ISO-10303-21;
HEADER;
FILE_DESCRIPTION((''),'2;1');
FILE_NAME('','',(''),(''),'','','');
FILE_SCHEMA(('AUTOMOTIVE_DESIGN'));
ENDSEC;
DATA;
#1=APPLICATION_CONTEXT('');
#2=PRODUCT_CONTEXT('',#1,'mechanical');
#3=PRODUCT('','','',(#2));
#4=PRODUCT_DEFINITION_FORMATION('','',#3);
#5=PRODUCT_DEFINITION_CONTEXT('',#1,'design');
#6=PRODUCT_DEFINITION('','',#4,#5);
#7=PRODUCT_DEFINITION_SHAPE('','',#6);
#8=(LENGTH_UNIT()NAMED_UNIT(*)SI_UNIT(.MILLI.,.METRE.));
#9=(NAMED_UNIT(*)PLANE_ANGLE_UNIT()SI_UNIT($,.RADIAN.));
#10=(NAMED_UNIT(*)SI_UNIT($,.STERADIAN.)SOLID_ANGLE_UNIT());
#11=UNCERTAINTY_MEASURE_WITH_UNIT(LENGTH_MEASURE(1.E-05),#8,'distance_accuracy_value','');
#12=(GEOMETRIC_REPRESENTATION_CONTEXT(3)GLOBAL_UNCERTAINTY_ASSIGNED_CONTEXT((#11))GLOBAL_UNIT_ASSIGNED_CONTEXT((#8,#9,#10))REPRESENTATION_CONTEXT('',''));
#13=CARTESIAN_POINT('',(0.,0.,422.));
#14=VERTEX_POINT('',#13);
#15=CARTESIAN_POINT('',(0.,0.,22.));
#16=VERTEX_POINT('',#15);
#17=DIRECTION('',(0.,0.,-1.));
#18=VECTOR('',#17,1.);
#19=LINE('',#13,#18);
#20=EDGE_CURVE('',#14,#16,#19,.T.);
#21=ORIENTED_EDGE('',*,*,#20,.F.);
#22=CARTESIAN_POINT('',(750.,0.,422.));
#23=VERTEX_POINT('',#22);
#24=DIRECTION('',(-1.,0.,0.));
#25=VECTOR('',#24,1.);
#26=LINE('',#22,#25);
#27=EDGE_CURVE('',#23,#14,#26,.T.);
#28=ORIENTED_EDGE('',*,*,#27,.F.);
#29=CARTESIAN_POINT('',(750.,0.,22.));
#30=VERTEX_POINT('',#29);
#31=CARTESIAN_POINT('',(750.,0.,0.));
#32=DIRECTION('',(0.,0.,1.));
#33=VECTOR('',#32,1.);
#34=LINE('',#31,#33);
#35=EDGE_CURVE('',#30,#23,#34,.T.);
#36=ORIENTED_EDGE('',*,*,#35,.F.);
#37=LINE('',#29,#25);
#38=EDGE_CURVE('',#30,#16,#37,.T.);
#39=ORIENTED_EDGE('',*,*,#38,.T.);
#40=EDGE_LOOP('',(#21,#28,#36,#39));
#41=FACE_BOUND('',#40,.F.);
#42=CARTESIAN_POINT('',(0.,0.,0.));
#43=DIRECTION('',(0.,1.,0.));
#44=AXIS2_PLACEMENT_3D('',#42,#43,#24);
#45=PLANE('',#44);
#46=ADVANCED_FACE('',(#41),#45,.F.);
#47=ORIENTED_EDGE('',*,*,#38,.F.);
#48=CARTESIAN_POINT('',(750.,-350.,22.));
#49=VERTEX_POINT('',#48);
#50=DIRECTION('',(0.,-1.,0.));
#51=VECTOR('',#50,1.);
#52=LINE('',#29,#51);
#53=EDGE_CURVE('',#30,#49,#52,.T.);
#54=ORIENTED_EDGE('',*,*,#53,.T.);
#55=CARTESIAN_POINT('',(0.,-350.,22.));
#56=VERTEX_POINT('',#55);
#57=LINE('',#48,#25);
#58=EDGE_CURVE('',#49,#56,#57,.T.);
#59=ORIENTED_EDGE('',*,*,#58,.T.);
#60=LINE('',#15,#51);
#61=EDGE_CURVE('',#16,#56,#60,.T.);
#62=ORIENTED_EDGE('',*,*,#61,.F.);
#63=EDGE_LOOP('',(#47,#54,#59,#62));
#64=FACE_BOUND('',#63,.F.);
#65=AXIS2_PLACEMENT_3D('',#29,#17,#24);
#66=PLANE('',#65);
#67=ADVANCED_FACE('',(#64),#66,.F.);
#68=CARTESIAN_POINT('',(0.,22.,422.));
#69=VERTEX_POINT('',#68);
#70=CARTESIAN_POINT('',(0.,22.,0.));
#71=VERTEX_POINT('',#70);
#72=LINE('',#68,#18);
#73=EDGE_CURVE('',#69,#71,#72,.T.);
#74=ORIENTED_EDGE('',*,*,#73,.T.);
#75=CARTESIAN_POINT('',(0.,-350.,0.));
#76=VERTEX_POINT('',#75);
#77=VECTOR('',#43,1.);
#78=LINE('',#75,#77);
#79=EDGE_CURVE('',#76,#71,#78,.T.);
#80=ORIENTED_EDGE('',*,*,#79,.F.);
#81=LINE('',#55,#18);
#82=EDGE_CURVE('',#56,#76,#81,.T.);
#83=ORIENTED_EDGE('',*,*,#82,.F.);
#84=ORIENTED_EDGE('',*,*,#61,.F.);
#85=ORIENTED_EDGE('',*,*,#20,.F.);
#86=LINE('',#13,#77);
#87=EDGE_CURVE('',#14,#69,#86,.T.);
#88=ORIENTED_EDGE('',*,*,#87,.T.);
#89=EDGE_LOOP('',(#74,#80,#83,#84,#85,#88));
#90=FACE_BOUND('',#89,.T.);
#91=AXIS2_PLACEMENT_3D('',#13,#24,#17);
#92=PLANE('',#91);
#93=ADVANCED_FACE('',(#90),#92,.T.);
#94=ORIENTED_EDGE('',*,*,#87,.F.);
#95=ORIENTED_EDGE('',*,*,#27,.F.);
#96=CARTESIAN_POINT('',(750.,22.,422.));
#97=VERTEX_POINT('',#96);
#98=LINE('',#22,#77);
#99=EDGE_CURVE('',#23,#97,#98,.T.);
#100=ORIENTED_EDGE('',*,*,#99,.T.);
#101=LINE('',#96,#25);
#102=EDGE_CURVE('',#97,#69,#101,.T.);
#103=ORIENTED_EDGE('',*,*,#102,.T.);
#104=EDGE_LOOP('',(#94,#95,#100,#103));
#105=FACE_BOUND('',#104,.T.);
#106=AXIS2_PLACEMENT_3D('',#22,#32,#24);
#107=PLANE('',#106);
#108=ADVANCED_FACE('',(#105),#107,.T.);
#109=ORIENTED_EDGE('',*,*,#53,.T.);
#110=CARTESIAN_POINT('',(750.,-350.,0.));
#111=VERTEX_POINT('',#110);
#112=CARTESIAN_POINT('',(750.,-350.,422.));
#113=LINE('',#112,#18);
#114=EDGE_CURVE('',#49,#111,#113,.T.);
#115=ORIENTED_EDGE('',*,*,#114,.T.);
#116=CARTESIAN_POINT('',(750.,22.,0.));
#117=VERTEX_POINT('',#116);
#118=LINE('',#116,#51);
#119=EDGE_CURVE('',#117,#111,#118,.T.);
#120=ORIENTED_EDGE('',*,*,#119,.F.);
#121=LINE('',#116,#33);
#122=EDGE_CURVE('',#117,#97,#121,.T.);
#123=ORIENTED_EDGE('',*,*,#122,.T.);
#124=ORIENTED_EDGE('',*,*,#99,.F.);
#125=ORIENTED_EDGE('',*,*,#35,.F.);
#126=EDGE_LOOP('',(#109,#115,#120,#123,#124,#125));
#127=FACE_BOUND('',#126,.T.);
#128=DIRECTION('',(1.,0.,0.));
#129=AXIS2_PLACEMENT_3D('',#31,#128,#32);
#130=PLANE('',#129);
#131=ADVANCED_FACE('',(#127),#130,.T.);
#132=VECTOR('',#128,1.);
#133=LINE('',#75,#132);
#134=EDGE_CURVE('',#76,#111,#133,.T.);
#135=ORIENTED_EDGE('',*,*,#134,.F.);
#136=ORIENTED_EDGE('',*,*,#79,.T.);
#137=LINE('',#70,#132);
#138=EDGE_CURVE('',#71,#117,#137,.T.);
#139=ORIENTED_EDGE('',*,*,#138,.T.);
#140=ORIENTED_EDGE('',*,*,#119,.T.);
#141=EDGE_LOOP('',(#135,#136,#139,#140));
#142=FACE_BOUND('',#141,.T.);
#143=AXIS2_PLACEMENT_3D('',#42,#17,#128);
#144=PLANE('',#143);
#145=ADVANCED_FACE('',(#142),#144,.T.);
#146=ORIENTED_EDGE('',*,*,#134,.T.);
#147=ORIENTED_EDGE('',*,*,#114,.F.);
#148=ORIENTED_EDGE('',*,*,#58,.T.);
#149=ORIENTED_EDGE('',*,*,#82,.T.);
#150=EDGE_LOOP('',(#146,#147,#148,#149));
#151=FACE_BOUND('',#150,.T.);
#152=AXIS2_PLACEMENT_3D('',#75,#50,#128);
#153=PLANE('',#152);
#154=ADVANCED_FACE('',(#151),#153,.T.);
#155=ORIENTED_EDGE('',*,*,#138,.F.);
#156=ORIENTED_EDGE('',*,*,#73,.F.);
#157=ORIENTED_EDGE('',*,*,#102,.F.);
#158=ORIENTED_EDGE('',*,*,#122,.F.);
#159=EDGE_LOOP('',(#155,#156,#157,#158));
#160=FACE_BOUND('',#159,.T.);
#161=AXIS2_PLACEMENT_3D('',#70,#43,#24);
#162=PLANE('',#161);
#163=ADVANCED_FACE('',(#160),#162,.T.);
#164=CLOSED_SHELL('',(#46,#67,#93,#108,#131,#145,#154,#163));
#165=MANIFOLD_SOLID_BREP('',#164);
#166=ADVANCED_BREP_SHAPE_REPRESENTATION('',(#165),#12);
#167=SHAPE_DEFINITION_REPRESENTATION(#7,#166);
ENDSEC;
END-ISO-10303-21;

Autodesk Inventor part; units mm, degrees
ref_plane "YZ Plane" through (0, 0, 0) normal (1, 0, 0) x (0, 1, 0)
ref_plane "XZ Plane" through (0, 0, 0) normal (0, 1, 0) x (-1, 0, 0)
sketch "Skizze1" plane through (0, 0, 0) normal (0, 1, 0) x (-1, 0, 0)
  line L0 (0, 0) -> (-750, 0)
  line L1 (-750, 0) -> (-750, 422)
  line L2 (-750, 422) -> (0, 422)
  line L3 (0, 422) -> (0, 0)
  dimension "d0" = 750
  dimension "d1" = 422
extrude "Back_Back" add sketch "Skizze1" along normal blind 22
sketch "Skizze2" plane through (0, 0, 0) normal (0, -1, 0) x (1, 0, 0)
  line L0 (750, 422) -> (750, 0) projected
  line L1 (0, 0) -> (750, 0)
  line L2 (750, 0) -> (750, 22)
  line L3 (750, 22) -> (0, 22)
  line L4 (0, 22) -> (0, 0)
  dimension "d4" = 22
extrude "Back_Down" add sketch "Skizze2" along normal blind 350
sketch "Sketch_Footprint_Magnet&Robot" plane through (0, 0, 22) normal (0, 0, 1) x (1, 0, 0)
  line L0 (0, -350) -> (0, 22) construction
  line L1 (750, -350) -> (0, -350) construction
  line L2 (0, -200) -> (750, -200) construction
  line L3 (12, -45) -> (315, -45)
  line L4 (315, -45) -> (315, -355)
  line L5 (315, -355) -> (12, -355)
  line L6 (12, -355) -> (12, -45)
  line L7 (12, -45) -> (315, -355) construction
  line L8 (315, -45) -> (12, -355) construction
  line L9 (0, -100) -> (12, -100)
  line L10 (12, -100) -> (12, -300)
  line L11 (12, -300) -> (0, -300)
  line L12 (0, -300) -> (0, -100)
  line L13 (315, -100) -> (327, -100)
  line L14 (327, -100) -> (327, -300)
  line L15 (327, -300) -> (315, -300)
  line L16 (315, -300) -> (315, -100)
  line L17 (545, -265) -> (675, -265)
  line L18 (675, -265) -> (675, -135)
  line L19 (675, -135) -> (545, -135)
  line L20 (545, -135) -> (545, -265)
  line L21 (545, -265) -> (675, -135) construction
  line L22 (675, -265) -> (545, -135) construction
  line L23 (750, 0) -> (750, -350) projected
  line L24 (0, 0) -> (750, 0) projected
  point P0 (163.5, -200)
  point P1 (327, -200)
  point P2 (610, -200)
  dimension "d15" = 150
  dimension "d16" = 303
  dimension "d17" = 310
  dimension "d18" = 12
  dimension "d19" = 200
  dimension "d20" = 130
  dimension "d21" = 140
  dimension "d56" = 200
sketch "Sketch_ReferenceBoard" plane through (0, 0, 0) normal (0, -1, 0) x (1, 0, 0)
  line L0 (750, 422) -> (330, 422)
  line L1 (330, 422) -> (330, 125)
  line L2 (330, 125) -> (750, 125)
  line L3 (750, 125) -> (750, 422)
  line L4 (330, 446) -> (330, 125)
  line L5 (345, 330) -> (345, 130) construction
  line L6 (345, 130) -> (645, 130) construction
  line L7 (345, 208) -> (345, 130)
  line L8 (610, 22) -> (610, 130) construction
  line L9 (675, 22) -> (675, 130) construction
  line L10 (750, 422) -> (750, 22) construction
  line L11 (330, 360) -> (750, 360) construction
  line L12 (685, 422) -> (685, 125) construction
  line L13 (345, 400) -> (425, 400)
  line L14 (425, 400) -> (425, 320)
  line L15 (425, 320) -> (345, 320)
  line L16 (345, 320) -> (345, 400)
  line L17 (345, 400) -> (425, 320) construction
  line L18 (425, 400) -> (345, 320) construction
  line L19 (545, 400) -> (625, 400)
  line L20 (625, 400) -> (625, 320)
  line L21 (625, 320) -> (545, 320)
  line L22 (545, 320) -> (545, 400)
  line L23 (545, 400) -> (625, 320) construction
  line L24 (625, 400) -> (545, 320) construction
  line L25 (645, 220) -> (725, 220)
  line L26 (725, 220) -> (725, 300)
  line L27 (725, 300) -> (645, 300)
  line L28 (645, 300) -> (645, 220)
  line L29 (645, 220) -> (725, 300) construction
  line L30 (725, 220) -> (645, 300) construction
  line L31 (645, 130) -> (725, 130)
  line L32 (725, 130) -> (725, 210)
  line L33 (725, 210) -> (645, 210)
  line L34 (645, 210) -> (645, 130)
  line L35 (645, 130) -> (725, 210) construction
  line L36 (725, 130) -> (645, 210) construction
  line L37 (485, 303.4315) -> (541.5685, 360)
  line L38 (541.5685, 360) -> (485, 416.5685)
  line L39 (485, 416.5685) -> (428.4315, 360)
  line L40 (428.4315, 360) -> (485, 303.4315)
  line L41 (485, 303.4315) -> (485, 416.5685) construction
  line L42 (541.5685, 360) -> (428.4315, 360) construction
  line L43 (685, 303.4315) -> (741.5685, 360)
  line L44 (741.5685, 360) -> (685, 416.5685)
  line L45 (685, 416.5685) -> (628.4315, 360)
  line L46 (628.4315, 360) -> (685, 303.4315)
  line L47 (685, 303.4315) -> (685, 416.5685) construction
  line L48 (741.5685, 360) -> (628.4315, 360) construction
  point P0 (0, 0)
  point P1 (163.5, 22)
  point P2 (685, 360)
  point P3 (585, 360)
  point P4 (485, 360)
  point P5 (385, 360)
  point P6 (685, 260)
  point P7 (685, 170)
  dimension "d7" = 297
  dimension "d8" = 420
  dimension "d24" = 330
  dimension "d25" = 75
  dimension "d26" = 108
  dimension "d28" = 55
  dimension "d29" = 100
  dimension "d30" = 100
  dimension "d31" = 100
  dimension "d32" = 235
  dimension "d33" = 100
  dimension "d34" = 90
  dimension "d35" = 80
  dimension "d36" = 80
  dimension "d37" = 45
ref_plane "plane_id6" through (0, -60, 0) normal (0, -1, 0) x (1, 0, 0)
sketch "Sketch_RefrenceBoard_id6" plane through (0, -60, 0) normal (0, -1, 0) x (1, 0, 0)
  line L0 (405, 138.5685) -> (461.5685, 82)
  line L1 (461.5685, 82) -> (405, 25.4315)
  line L2 (405, 25.4315) -> (348.4315, 82)
  line L3 (348.4315, 82) -> (405, 138.5685)
  line L4 (0, 22) -> (750, 22) construction
  line L5 (405, 138.5685) -> (405, 25.4315) construction
  line L6 (348.4315, 82) -> (461.5685, 82) construction
  point P0 (0, 0)
  point P1 (405, 82)
  point P2 (345, 130)
  point P3 (405, 82)
  dimension "d40" = 45
  dimension "d41" = 80
  dimension "d42" = 60
  dimension "d43" = 60
  dimension "d45" = 3.4315
  dimension "d46" = 3.4315
sketch "Sketch_Magnet_Back" plane through (0, 0, 0) normal (0, -1, 0) x (1, 0, 0)
  line L0 (318, 369.7147) -> (318, 209.7147)
  line L1 (12, 209.7147) -> (12, 369.7147)
  line L2 (12, 363) -> (318, 363)
  line L3 (318, 363) -> (318, 53)
  line L4 (318, 53) -> (12, 53)
  line L5 (12, 53) -> (12, 363)
  line L6 (12, 121.0397) -> (0, 121.0397)
  line L7 (0, 121.0397) -> (0, 22)
  line L8 (0, 22) -> (12, 22)
  line L9 (12, 22) -> (12, 121.0397)
  line L10 (318, 121.0397) -> (330, 121.0397)
  line L11 (330, 121.0397) -> (330, 22)
  line L12 (330, 22) -> (318, 22)
  line L13 (318, 22) -> (318, 121.0397)
  line L14 (750, 22) -> (0, 22) construction
  line L15 (0, 22) -> (0, 0) construction
  line L16 (12, 128) -> (318, 128) construction
  line L17 (318, 128) -> (318, 288) construction
  line L18 (318, 288) -> (12, 288) construction
  line L19 (12, 288) -> (12, 128) construction
  line L20 (12, 128) -> (318, 288) construction
  line L21 (318, 128) -> (12, 288) construction
  point P0 (318, 208)
  point P1 (165, 208)
  point P2 (12, 208)
  point P3 (12, 208)
  point P4 (165, 128)
  point P5 (165, 288)
  point P6 (345, 130)
  dimension "d47" = 306
  dimension "d48" = 12
  dimension "d51" = 186
  dimension "d52" = 310
  dimension "d53" = 160
  dimension "d54" = 180
  dimension "d55" = 78
properties part number "Referenzboard"
